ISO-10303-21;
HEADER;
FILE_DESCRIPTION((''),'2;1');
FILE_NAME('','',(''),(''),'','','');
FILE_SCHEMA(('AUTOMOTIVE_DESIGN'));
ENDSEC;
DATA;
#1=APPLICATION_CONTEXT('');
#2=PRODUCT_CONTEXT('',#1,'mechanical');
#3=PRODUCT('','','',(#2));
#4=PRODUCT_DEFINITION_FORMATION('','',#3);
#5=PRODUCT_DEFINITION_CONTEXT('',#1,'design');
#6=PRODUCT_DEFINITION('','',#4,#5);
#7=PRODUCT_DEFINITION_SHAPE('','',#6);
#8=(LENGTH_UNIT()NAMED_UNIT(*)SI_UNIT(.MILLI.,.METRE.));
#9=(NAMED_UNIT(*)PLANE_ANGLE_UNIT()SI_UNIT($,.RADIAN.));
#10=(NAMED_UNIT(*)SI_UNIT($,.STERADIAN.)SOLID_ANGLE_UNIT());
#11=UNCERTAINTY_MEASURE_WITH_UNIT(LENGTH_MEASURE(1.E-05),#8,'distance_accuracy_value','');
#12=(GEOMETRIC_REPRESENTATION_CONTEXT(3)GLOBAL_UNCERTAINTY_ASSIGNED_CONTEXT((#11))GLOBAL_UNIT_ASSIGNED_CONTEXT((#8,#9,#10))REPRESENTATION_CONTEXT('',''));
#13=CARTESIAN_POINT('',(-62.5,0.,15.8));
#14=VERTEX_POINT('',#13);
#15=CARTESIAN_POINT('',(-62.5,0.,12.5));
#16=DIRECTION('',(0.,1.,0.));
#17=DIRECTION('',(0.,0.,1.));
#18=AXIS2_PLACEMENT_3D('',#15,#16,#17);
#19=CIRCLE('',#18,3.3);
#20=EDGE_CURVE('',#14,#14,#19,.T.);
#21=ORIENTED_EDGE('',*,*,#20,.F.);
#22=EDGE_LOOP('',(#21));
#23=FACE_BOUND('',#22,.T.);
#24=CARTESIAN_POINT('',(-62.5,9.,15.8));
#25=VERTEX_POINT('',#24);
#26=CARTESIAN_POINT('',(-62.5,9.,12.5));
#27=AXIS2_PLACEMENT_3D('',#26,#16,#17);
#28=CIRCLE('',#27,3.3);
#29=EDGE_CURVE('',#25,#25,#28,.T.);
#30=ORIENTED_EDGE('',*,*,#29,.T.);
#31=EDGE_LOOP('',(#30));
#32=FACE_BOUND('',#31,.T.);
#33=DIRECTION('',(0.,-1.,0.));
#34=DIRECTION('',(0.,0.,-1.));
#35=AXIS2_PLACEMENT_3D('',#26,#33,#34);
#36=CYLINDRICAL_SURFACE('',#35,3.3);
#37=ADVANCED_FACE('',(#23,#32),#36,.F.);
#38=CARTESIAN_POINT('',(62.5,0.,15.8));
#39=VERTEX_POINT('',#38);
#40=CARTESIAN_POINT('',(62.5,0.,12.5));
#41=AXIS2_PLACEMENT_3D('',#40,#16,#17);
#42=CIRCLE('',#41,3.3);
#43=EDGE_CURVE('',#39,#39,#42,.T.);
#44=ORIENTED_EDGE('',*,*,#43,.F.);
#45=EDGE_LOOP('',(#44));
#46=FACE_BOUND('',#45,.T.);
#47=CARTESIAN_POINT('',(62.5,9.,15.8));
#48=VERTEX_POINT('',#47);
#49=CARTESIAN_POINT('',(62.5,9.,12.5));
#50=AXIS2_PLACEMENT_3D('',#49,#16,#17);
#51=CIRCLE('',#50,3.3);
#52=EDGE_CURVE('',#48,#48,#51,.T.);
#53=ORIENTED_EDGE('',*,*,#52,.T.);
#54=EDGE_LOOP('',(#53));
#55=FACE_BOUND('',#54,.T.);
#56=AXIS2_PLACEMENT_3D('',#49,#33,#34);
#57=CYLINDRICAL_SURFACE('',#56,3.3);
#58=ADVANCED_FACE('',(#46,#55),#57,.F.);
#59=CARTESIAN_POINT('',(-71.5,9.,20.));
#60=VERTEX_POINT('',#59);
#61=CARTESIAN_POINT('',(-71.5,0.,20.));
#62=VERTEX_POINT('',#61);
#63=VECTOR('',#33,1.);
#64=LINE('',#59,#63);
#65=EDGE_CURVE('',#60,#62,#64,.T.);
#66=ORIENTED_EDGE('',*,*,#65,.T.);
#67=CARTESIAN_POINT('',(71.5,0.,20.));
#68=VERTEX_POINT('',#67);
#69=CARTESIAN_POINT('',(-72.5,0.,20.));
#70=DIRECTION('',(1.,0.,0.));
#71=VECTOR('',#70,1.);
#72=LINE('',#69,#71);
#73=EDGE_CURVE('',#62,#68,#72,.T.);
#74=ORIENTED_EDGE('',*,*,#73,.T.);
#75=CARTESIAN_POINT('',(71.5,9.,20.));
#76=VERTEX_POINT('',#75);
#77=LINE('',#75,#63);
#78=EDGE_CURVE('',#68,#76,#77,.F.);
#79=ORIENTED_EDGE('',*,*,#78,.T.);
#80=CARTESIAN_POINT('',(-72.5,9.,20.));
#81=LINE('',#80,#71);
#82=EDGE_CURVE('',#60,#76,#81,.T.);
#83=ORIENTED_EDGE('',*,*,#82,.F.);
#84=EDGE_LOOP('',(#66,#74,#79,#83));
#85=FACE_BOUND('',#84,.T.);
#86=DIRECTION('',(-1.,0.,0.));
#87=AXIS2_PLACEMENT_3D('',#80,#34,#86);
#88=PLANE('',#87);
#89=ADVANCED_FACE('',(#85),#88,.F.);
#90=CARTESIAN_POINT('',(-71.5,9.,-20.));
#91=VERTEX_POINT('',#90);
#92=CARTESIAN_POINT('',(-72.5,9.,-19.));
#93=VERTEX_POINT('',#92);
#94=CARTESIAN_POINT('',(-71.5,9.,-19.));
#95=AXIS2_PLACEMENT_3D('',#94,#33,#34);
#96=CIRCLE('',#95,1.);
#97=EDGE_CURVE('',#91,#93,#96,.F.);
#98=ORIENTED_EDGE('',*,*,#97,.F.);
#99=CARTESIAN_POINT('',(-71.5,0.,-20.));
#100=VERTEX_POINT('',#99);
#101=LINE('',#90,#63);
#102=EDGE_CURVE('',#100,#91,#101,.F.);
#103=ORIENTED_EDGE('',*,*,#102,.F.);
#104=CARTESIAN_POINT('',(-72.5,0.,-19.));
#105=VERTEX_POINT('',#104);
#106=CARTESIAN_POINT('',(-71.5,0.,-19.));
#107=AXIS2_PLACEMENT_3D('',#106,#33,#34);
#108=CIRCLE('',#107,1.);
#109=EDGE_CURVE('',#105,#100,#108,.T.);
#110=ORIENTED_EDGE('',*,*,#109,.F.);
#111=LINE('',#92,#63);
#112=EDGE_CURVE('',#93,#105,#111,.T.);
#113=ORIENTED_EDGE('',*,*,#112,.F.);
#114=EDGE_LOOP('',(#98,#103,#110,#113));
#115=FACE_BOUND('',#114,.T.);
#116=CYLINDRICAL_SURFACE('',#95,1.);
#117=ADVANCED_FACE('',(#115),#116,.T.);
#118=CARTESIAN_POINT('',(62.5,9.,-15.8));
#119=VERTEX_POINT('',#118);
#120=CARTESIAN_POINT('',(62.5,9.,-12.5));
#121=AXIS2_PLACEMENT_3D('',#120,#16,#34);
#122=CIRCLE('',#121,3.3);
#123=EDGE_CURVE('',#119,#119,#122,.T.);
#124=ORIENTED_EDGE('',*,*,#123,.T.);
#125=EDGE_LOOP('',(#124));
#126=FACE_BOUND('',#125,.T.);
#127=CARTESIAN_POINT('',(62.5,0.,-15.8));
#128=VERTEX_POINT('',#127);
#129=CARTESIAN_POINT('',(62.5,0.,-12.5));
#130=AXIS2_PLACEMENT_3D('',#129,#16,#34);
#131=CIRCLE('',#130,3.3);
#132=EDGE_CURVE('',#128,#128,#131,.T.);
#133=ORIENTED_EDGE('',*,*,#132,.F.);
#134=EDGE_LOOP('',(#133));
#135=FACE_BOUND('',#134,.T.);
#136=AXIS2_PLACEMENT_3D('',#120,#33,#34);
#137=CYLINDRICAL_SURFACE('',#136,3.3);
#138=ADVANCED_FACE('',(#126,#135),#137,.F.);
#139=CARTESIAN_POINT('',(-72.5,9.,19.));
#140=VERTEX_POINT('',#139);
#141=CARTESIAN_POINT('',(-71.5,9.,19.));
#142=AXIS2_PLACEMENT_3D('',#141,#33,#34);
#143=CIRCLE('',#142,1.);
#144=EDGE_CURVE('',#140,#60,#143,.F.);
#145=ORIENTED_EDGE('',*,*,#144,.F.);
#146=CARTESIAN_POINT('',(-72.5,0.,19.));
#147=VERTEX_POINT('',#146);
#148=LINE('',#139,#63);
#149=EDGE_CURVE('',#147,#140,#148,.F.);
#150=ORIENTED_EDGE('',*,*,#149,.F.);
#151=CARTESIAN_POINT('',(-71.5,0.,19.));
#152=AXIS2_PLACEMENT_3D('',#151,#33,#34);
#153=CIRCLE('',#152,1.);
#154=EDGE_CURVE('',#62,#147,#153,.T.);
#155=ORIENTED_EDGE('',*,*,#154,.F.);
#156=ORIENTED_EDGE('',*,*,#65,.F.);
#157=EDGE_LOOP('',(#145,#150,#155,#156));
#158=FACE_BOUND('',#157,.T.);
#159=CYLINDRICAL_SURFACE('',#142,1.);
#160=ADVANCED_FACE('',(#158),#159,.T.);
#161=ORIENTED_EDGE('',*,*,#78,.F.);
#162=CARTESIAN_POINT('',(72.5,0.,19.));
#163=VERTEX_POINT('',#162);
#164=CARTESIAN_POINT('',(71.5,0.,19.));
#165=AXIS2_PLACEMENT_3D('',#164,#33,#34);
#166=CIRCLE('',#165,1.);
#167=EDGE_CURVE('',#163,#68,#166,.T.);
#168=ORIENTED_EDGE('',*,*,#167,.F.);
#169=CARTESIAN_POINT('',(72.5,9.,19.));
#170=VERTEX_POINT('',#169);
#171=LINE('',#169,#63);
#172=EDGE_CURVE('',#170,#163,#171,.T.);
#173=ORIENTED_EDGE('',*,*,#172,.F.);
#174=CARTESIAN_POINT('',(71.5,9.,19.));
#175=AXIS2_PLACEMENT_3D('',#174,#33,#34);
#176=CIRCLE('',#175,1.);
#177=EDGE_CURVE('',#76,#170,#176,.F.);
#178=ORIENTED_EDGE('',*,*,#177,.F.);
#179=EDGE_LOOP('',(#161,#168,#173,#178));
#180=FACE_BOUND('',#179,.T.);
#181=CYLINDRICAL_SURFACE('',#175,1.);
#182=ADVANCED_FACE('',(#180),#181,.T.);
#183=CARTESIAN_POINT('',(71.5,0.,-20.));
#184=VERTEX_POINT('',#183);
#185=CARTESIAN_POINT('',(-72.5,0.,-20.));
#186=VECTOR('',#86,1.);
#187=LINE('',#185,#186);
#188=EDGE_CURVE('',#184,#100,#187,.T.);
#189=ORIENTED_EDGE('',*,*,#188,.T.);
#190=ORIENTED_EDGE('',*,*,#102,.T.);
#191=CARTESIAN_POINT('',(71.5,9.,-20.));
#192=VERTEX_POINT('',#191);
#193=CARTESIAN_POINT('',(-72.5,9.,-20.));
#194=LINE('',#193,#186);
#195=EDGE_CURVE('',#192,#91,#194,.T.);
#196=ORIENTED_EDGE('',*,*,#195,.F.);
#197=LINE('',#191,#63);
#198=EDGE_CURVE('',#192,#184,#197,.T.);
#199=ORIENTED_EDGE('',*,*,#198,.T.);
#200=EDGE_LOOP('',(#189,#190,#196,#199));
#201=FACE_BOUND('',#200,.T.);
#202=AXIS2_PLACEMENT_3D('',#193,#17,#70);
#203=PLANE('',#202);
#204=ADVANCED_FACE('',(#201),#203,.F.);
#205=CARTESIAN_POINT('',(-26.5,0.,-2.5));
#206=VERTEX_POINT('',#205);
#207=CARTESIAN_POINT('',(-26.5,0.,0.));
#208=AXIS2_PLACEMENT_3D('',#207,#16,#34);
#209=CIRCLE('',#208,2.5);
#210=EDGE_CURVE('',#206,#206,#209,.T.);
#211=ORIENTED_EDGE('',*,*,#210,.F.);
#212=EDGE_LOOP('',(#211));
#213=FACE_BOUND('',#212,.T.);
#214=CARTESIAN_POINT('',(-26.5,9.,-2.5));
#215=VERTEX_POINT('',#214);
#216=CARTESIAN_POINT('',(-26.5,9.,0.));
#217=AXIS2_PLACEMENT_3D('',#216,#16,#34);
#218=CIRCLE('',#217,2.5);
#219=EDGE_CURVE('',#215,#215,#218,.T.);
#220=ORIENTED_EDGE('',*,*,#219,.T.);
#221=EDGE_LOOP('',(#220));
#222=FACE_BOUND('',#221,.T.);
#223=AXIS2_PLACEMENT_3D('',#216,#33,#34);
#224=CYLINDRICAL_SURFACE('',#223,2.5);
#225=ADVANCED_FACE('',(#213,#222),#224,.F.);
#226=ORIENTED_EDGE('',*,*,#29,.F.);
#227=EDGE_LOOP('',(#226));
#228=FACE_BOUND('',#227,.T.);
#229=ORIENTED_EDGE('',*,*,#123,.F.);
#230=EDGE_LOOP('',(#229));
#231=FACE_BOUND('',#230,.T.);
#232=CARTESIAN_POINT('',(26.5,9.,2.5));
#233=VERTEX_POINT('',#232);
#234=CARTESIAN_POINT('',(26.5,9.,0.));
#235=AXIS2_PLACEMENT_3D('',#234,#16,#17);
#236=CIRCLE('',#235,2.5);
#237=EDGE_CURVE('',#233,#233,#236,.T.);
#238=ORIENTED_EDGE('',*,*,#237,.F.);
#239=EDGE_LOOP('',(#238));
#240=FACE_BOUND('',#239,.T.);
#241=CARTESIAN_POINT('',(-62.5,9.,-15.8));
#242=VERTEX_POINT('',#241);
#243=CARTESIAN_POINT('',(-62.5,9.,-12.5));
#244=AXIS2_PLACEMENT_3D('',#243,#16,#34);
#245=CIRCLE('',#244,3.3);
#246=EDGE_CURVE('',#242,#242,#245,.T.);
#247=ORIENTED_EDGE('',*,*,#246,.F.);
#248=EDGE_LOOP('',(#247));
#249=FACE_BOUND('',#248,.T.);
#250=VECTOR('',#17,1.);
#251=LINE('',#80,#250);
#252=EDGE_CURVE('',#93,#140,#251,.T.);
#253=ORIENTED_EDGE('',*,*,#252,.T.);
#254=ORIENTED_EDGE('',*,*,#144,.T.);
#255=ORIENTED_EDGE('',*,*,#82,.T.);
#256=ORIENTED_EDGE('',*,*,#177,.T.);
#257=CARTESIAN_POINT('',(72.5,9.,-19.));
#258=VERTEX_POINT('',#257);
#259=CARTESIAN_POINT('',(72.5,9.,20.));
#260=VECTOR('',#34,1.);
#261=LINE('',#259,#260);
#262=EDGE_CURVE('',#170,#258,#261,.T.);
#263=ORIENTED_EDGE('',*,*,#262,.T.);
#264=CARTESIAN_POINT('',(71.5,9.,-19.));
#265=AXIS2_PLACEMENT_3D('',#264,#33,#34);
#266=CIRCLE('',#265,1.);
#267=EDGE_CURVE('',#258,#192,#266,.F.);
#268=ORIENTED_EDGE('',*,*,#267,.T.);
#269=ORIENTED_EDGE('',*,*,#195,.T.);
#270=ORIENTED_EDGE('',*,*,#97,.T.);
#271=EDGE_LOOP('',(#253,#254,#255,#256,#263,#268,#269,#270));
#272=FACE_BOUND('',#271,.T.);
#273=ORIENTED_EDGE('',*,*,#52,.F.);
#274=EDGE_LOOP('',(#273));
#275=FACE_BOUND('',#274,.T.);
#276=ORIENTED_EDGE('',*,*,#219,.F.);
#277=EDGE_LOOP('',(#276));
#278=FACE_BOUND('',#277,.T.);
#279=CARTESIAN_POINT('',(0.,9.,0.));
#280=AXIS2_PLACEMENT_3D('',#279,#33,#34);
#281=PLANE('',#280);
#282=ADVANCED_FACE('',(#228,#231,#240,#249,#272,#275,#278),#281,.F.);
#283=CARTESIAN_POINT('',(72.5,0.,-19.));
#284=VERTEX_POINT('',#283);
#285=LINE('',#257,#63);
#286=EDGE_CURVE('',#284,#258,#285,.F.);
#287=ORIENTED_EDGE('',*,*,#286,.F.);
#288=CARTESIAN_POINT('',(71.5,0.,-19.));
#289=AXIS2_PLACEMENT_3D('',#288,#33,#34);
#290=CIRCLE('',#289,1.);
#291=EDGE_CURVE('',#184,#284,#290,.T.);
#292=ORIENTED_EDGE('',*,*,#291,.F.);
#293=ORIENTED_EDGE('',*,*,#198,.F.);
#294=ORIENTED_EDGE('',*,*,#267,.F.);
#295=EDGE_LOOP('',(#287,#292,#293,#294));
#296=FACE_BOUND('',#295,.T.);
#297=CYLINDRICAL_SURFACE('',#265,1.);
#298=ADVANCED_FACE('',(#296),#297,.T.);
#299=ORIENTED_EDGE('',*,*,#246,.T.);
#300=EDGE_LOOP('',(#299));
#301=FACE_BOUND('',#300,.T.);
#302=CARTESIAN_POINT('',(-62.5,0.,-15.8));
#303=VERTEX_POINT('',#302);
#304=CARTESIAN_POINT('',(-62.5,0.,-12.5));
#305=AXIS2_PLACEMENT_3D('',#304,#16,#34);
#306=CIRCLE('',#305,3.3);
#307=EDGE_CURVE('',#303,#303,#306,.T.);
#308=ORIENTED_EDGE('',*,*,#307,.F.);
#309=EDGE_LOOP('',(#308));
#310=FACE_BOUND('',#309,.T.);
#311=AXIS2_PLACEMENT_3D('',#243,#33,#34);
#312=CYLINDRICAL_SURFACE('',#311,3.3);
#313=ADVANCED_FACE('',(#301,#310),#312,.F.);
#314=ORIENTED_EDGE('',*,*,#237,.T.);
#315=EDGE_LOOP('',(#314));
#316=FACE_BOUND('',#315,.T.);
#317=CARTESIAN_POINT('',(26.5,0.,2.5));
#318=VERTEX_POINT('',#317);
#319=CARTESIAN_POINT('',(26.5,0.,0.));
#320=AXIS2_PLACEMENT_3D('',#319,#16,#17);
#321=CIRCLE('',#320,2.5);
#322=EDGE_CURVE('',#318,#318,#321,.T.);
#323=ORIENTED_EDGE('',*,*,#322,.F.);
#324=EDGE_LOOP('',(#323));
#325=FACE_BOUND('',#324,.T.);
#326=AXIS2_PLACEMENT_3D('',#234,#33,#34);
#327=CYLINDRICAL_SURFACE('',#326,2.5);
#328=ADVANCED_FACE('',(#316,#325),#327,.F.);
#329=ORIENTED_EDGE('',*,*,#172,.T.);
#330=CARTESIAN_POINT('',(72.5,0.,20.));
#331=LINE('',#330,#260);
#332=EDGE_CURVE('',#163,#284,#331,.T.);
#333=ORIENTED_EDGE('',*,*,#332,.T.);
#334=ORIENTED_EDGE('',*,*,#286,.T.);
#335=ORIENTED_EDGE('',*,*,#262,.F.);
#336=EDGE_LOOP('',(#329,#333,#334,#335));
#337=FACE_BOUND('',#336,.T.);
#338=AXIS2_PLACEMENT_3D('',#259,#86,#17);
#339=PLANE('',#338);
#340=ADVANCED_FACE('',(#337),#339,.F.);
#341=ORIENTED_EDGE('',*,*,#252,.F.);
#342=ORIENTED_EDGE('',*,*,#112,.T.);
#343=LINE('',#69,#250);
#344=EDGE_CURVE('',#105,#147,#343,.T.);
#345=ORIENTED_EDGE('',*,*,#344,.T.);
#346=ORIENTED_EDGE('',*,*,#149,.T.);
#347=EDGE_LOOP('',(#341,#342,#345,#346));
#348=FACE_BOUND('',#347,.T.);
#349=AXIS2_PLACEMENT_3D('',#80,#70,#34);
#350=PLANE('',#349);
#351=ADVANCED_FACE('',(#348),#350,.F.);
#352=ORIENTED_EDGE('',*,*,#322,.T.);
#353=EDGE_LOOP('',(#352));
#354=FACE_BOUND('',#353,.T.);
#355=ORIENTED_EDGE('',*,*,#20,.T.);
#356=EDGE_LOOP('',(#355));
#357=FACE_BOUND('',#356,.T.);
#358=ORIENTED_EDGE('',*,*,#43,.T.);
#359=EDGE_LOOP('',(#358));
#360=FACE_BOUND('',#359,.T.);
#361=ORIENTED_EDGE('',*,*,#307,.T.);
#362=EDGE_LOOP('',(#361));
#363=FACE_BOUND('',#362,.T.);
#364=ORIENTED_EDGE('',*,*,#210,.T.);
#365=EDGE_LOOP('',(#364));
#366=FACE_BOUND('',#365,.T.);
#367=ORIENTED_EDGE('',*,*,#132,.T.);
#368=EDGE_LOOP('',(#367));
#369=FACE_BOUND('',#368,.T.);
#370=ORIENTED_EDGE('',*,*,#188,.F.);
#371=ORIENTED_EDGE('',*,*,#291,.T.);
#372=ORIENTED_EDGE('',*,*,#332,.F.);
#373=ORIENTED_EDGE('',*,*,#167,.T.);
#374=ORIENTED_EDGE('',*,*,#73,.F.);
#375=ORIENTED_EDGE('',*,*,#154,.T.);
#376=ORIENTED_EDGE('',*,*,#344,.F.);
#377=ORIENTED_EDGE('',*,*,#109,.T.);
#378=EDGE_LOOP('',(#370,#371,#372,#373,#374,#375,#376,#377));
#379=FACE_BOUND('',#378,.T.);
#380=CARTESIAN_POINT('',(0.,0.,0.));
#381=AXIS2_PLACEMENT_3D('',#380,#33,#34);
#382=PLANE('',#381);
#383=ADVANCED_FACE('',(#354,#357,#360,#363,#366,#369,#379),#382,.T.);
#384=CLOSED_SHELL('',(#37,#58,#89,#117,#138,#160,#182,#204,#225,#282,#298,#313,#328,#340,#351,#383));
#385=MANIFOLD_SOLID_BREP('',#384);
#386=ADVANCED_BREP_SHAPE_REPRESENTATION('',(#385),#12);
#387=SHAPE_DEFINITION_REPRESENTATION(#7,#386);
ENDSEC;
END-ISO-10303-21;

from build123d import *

# Parameters (mm, degrees)
SKETCH1_W           = 145
SKETCH1_H           = 40
SKETCH1_R           = 2.5
SKETCH1_R_2         = 3.3
BOSS_EXTRUDE1_DEPTH = 9
FILLET1_R           = 1


with BuildPart() as part:
    # Sketch1 → Boss-Extrude1 (new body)
    with BuildSketch(Plane(origin=(0, 0, 0), x_dir=(1, 0, 0), z_dir=(0, 1, 0))):
        Rectangle(SKETCH1_W, SKETCH1_H)
        with Locations(Location((26.5, 0, 0), (0, 0, 270))):
            Circle(SKETCH1_R, mode=Mode.SUBTRACT)
        with Locations(Location((62.5, -12.5, 0), (0, 0, 270))):
            Circle(SKETCH1_R_2, mode=Mode.SUBTRACT)
        with Locations(Location((62.5, 12.5, 0), (0, 0, 90))):
            Circle(SKETCH1_R_2, mode=Mode.SUBTRACT)
        with Locations(Location((-26.5, 0, 0), (0, 0, 90))):
            Circle(SKETCH1_R, mode=Mode.SUBTRACT)
        with Locations(Location((-62.5, 12.5, 0), (0, 0, 90))):
            Circle(SKETCH1_R_2, mode=Mode.SUBTRACT)
        with Locations(Location((-62.5, -12.5, 0), (0, 0, 270))):
            Circle(SKETCH1_R_2, mode=Mode.SUBTRACT)
    extrude(amount=BOSS_EXTRUDE1_DEPTH)

    # Fillet1
    fillet1_edges = [part.edges().sort_by_distance(p)[0] for p in [
        (72.5, 4.5, 20),
        (-72.5, 4.5, 20),
        (-72.5, 4.5, -20),
        (72.5, 4.5, -20),
    ]]
    fillet(fillet1_edges, radius=FILLET1_R)


solid = part.part
